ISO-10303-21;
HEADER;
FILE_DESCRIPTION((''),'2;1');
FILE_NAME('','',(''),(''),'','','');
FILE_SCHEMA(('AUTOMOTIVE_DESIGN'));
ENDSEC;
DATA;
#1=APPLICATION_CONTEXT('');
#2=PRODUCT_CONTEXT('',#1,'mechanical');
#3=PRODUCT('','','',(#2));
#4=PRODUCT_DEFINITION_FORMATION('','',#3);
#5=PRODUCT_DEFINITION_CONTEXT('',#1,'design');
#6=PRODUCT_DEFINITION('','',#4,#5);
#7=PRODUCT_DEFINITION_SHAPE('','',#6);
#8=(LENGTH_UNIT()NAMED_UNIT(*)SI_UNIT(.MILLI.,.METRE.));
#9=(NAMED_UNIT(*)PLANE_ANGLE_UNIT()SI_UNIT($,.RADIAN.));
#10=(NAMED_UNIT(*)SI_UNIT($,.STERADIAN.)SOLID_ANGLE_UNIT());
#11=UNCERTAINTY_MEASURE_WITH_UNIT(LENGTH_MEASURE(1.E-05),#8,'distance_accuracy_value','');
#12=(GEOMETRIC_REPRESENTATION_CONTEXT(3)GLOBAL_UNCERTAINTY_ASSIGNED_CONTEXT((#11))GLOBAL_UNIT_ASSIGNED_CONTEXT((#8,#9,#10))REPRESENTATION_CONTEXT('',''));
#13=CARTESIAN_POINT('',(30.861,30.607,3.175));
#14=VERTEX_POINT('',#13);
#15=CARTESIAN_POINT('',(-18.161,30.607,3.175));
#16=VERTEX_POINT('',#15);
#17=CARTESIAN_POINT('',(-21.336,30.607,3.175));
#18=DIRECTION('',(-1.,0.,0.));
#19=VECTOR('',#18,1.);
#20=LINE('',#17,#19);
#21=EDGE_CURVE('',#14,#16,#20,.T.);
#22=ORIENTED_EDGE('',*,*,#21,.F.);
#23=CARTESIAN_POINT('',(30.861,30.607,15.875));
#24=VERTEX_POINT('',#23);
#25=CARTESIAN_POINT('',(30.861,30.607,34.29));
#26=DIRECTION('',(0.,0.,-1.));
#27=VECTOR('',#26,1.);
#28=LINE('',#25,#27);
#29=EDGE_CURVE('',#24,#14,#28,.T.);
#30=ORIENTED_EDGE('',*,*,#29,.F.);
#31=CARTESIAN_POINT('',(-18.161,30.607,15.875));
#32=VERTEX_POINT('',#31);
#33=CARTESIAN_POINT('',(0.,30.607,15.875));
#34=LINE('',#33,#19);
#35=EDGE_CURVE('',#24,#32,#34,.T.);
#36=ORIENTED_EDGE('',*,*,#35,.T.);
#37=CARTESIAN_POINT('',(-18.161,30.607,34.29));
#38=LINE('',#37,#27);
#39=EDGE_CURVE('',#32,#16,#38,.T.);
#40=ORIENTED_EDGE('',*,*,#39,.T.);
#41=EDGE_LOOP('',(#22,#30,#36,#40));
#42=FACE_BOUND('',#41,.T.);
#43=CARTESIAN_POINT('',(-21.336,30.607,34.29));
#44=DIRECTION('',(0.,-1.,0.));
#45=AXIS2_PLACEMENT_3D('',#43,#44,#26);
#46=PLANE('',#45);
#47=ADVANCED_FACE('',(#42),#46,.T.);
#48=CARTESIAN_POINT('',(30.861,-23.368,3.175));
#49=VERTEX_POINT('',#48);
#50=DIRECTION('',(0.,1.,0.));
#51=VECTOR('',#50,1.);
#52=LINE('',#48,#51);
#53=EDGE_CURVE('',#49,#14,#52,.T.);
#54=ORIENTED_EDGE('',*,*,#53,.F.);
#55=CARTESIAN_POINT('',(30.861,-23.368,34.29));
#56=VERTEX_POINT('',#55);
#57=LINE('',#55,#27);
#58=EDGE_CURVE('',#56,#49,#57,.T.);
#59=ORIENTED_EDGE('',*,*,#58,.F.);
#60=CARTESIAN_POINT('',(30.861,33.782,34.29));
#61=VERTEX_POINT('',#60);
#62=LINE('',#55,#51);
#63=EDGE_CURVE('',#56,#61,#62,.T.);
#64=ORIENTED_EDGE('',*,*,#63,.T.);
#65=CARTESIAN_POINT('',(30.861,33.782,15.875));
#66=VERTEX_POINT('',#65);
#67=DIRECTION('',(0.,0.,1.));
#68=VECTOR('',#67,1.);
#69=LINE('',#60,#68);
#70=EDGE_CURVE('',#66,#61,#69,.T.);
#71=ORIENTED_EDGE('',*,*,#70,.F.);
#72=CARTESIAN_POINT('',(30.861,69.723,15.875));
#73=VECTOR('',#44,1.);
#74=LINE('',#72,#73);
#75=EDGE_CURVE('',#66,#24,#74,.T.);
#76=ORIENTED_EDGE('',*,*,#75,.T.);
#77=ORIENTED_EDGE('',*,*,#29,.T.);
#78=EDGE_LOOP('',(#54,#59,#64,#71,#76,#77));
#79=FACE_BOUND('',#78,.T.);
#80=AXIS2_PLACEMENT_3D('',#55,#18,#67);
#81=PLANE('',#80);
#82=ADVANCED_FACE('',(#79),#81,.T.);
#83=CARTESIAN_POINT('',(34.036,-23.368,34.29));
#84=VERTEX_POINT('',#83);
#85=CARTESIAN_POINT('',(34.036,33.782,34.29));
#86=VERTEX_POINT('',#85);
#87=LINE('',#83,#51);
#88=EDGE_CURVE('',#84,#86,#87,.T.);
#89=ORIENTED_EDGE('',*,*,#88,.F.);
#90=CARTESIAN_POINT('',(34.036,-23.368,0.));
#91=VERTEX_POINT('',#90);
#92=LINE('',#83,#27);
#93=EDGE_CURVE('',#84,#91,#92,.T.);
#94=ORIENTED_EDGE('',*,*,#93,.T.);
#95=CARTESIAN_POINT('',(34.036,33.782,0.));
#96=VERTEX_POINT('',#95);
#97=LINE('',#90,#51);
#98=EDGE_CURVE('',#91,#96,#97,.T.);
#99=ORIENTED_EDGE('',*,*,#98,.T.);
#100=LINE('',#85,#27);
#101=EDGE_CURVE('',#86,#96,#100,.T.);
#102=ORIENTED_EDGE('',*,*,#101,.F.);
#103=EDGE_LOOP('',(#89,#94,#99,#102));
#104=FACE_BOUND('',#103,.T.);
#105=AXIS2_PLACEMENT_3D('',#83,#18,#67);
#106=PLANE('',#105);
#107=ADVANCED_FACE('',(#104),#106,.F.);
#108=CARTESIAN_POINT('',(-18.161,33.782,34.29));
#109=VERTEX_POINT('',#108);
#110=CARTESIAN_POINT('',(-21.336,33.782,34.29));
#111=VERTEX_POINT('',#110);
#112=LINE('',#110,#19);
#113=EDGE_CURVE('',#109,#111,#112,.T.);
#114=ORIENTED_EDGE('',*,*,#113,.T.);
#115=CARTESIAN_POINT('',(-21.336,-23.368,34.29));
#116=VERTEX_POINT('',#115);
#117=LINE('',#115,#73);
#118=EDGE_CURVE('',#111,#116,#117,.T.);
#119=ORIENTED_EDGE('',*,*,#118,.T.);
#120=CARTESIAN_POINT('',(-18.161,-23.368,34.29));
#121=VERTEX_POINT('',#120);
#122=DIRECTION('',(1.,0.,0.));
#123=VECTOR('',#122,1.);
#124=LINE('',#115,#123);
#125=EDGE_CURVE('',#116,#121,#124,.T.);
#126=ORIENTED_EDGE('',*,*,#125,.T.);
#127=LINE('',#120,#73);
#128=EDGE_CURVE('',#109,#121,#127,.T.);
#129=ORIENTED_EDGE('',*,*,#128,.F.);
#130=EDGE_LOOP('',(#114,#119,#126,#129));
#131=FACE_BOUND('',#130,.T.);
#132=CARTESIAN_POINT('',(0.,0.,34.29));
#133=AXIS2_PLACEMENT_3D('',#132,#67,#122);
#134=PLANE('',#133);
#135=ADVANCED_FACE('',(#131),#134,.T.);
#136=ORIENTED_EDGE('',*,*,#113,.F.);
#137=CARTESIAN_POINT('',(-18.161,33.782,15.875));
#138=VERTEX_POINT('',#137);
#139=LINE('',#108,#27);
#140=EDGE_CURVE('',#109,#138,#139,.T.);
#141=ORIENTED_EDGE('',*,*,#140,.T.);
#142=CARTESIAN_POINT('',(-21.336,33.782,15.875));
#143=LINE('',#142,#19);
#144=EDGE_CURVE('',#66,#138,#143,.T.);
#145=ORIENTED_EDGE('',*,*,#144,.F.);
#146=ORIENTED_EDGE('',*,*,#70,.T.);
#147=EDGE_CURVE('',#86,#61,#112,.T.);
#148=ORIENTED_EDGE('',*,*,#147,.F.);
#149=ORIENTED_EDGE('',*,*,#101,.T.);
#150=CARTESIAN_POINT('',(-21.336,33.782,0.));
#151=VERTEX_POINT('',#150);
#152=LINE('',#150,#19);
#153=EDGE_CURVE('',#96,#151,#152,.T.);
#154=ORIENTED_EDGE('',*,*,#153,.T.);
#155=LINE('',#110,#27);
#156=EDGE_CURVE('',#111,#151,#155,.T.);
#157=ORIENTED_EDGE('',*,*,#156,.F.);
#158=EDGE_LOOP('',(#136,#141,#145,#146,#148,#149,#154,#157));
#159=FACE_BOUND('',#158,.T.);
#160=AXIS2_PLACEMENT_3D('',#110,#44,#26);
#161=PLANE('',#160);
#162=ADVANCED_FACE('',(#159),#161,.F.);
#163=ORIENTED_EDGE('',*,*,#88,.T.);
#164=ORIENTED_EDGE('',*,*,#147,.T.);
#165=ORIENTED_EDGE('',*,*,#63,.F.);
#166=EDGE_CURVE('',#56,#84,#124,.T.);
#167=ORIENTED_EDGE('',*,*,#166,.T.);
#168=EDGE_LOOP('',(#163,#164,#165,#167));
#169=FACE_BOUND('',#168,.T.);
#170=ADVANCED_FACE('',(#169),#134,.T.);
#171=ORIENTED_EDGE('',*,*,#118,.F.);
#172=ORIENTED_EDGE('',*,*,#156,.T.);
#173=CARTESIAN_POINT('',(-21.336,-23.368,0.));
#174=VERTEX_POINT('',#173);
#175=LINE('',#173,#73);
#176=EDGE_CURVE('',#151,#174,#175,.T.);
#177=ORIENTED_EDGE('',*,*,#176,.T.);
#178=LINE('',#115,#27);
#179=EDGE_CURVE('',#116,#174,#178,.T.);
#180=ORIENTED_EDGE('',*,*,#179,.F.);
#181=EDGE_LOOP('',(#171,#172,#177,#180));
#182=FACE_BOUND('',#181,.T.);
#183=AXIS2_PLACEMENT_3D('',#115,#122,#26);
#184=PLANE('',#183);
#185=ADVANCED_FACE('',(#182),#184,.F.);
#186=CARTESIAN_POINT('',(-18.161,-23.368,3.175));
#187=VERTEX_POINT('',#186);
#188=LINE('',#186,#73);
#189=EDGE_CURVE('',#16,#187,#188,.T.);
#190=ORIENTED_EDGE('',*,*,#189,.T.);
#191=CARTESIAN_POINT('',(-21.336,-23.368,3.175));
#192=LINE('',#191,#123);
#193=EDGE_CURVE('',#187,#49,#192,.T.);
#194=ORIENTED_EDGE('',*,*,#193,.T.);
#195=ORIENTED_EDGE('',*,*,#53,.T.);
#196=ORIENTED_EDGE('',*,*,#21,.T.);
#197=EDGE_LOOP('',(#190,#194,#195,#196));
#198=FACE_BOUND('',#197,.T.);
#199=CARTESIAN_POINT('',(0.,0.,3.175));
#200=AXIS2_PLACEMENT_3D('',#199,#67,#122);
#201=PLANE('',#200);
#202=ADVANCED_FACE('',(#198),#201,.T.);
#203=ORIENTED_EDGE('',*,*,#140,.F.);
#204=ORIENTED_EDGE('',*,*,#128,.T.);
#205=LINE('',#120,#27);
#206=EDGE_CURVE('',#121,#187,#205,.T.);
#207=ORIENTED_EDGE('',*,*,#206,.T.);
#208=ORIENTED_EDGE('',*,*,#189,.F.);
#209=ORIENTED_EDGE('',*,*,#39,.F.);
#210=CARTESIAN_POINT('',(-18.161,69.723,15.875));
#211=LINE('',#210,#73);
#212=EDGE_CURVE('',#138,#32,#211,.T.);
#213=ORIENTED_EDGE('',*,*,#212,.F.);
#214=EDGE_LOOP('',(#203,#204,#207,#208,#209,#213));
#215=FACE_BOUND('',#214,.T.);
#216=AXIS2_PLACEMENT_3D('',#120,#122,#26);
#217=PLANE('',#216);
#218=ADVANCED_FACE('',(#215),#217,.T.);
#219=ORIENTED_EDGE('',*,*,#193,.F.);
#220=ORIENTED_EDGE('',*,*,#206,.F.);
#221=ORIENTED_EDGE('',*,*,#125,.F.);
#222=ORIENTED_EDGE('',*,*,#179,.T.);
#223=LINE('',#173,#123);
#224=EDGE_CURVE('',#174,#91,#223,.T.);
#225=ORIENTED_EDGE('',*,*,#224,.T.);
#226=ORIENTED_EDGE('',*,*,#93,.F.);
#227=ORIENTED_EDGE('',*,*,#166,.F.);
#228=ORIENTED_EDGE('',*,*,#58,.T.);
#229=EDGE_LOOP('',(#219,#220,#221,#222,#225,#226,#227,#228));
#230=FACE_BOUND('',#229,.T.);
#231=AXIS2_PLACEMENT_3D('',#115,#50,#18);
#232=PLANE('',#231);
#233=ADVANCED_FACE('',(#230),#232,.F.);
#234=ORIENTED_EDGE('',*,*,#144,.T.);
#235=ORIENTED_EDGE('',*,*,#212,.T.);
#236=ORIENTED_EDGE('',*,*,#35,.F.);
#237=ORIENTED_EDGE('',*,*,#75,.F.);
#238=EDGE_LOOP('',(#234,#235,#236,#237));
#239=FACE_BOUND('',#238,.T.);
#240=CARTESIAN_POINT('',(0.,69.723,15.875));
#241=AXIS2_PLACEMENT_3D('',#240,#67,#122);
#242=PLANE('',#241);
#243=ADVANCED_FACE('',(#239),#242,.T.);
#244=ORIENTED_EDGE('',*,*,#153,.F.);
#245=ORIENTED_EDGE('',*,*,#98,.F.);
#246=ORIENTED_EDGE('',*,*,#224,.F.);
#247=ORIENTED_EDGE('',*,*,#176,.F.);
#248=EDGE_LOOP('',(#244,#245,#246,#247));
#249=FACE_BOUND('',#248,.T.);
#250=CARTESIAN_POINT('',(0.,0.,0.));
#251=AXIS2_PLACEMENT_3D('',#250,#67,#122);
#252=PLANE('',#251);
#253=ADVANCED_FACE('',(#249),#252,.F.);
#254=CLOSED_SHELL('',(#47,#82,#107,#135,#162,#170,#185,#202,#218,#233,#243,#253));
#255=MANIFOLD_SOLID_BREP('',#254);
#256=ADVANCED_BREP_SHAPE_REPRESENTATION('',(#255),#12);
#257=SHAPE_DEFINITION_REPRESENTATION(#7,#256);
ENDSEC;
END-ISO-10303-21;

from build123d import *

# Parameters (mm, degrees)
SKETCH1_W           = 55.372
SKETCH1_H           = 57.15
BOSS_EXTRUDE1_DEPTH = 34.29
SHELL1_T            = -3.175
CUT_EXTRUDE1_DEPTH  = 39.116


with BuildPart() as part:
    # Sketch1 → Boss-Extrude1 (new body)
    with BuildSketch(Plane.XY):
        with Locations((6.35, 5.207)):
            Rectangle(SKETCH1_W, SKETCH1_H)
    extrude(amount=BOSS_EXTRUDE1_DEPTH)

    # Shell1
    shell1_openings = [part.faces().sort_by_distance(p)[0] for p in [
        (6.35, 5.207, 34.29),
        (6.35, -23.368, 17.145),
    ]]
    offset(amount=SHELL1_T, openings=shell1_openings, kind=Kind.INTERSECTION)

    # Sketch2 → Cut-Extrude1 (cut)
    with BuildSketch(Plane.XZ.offset(-30.607)):
        Polygon((-18.161, 15.875), (10.564637788, 15.875), (30.861, 15.875), (30.861, 34.29), (-18.161, 34.29), align=None)
    extrude(amount=-CUT_EXTRUDE1_DEPTH, mode=Mode.SUBTRACT)


solid = part.part
